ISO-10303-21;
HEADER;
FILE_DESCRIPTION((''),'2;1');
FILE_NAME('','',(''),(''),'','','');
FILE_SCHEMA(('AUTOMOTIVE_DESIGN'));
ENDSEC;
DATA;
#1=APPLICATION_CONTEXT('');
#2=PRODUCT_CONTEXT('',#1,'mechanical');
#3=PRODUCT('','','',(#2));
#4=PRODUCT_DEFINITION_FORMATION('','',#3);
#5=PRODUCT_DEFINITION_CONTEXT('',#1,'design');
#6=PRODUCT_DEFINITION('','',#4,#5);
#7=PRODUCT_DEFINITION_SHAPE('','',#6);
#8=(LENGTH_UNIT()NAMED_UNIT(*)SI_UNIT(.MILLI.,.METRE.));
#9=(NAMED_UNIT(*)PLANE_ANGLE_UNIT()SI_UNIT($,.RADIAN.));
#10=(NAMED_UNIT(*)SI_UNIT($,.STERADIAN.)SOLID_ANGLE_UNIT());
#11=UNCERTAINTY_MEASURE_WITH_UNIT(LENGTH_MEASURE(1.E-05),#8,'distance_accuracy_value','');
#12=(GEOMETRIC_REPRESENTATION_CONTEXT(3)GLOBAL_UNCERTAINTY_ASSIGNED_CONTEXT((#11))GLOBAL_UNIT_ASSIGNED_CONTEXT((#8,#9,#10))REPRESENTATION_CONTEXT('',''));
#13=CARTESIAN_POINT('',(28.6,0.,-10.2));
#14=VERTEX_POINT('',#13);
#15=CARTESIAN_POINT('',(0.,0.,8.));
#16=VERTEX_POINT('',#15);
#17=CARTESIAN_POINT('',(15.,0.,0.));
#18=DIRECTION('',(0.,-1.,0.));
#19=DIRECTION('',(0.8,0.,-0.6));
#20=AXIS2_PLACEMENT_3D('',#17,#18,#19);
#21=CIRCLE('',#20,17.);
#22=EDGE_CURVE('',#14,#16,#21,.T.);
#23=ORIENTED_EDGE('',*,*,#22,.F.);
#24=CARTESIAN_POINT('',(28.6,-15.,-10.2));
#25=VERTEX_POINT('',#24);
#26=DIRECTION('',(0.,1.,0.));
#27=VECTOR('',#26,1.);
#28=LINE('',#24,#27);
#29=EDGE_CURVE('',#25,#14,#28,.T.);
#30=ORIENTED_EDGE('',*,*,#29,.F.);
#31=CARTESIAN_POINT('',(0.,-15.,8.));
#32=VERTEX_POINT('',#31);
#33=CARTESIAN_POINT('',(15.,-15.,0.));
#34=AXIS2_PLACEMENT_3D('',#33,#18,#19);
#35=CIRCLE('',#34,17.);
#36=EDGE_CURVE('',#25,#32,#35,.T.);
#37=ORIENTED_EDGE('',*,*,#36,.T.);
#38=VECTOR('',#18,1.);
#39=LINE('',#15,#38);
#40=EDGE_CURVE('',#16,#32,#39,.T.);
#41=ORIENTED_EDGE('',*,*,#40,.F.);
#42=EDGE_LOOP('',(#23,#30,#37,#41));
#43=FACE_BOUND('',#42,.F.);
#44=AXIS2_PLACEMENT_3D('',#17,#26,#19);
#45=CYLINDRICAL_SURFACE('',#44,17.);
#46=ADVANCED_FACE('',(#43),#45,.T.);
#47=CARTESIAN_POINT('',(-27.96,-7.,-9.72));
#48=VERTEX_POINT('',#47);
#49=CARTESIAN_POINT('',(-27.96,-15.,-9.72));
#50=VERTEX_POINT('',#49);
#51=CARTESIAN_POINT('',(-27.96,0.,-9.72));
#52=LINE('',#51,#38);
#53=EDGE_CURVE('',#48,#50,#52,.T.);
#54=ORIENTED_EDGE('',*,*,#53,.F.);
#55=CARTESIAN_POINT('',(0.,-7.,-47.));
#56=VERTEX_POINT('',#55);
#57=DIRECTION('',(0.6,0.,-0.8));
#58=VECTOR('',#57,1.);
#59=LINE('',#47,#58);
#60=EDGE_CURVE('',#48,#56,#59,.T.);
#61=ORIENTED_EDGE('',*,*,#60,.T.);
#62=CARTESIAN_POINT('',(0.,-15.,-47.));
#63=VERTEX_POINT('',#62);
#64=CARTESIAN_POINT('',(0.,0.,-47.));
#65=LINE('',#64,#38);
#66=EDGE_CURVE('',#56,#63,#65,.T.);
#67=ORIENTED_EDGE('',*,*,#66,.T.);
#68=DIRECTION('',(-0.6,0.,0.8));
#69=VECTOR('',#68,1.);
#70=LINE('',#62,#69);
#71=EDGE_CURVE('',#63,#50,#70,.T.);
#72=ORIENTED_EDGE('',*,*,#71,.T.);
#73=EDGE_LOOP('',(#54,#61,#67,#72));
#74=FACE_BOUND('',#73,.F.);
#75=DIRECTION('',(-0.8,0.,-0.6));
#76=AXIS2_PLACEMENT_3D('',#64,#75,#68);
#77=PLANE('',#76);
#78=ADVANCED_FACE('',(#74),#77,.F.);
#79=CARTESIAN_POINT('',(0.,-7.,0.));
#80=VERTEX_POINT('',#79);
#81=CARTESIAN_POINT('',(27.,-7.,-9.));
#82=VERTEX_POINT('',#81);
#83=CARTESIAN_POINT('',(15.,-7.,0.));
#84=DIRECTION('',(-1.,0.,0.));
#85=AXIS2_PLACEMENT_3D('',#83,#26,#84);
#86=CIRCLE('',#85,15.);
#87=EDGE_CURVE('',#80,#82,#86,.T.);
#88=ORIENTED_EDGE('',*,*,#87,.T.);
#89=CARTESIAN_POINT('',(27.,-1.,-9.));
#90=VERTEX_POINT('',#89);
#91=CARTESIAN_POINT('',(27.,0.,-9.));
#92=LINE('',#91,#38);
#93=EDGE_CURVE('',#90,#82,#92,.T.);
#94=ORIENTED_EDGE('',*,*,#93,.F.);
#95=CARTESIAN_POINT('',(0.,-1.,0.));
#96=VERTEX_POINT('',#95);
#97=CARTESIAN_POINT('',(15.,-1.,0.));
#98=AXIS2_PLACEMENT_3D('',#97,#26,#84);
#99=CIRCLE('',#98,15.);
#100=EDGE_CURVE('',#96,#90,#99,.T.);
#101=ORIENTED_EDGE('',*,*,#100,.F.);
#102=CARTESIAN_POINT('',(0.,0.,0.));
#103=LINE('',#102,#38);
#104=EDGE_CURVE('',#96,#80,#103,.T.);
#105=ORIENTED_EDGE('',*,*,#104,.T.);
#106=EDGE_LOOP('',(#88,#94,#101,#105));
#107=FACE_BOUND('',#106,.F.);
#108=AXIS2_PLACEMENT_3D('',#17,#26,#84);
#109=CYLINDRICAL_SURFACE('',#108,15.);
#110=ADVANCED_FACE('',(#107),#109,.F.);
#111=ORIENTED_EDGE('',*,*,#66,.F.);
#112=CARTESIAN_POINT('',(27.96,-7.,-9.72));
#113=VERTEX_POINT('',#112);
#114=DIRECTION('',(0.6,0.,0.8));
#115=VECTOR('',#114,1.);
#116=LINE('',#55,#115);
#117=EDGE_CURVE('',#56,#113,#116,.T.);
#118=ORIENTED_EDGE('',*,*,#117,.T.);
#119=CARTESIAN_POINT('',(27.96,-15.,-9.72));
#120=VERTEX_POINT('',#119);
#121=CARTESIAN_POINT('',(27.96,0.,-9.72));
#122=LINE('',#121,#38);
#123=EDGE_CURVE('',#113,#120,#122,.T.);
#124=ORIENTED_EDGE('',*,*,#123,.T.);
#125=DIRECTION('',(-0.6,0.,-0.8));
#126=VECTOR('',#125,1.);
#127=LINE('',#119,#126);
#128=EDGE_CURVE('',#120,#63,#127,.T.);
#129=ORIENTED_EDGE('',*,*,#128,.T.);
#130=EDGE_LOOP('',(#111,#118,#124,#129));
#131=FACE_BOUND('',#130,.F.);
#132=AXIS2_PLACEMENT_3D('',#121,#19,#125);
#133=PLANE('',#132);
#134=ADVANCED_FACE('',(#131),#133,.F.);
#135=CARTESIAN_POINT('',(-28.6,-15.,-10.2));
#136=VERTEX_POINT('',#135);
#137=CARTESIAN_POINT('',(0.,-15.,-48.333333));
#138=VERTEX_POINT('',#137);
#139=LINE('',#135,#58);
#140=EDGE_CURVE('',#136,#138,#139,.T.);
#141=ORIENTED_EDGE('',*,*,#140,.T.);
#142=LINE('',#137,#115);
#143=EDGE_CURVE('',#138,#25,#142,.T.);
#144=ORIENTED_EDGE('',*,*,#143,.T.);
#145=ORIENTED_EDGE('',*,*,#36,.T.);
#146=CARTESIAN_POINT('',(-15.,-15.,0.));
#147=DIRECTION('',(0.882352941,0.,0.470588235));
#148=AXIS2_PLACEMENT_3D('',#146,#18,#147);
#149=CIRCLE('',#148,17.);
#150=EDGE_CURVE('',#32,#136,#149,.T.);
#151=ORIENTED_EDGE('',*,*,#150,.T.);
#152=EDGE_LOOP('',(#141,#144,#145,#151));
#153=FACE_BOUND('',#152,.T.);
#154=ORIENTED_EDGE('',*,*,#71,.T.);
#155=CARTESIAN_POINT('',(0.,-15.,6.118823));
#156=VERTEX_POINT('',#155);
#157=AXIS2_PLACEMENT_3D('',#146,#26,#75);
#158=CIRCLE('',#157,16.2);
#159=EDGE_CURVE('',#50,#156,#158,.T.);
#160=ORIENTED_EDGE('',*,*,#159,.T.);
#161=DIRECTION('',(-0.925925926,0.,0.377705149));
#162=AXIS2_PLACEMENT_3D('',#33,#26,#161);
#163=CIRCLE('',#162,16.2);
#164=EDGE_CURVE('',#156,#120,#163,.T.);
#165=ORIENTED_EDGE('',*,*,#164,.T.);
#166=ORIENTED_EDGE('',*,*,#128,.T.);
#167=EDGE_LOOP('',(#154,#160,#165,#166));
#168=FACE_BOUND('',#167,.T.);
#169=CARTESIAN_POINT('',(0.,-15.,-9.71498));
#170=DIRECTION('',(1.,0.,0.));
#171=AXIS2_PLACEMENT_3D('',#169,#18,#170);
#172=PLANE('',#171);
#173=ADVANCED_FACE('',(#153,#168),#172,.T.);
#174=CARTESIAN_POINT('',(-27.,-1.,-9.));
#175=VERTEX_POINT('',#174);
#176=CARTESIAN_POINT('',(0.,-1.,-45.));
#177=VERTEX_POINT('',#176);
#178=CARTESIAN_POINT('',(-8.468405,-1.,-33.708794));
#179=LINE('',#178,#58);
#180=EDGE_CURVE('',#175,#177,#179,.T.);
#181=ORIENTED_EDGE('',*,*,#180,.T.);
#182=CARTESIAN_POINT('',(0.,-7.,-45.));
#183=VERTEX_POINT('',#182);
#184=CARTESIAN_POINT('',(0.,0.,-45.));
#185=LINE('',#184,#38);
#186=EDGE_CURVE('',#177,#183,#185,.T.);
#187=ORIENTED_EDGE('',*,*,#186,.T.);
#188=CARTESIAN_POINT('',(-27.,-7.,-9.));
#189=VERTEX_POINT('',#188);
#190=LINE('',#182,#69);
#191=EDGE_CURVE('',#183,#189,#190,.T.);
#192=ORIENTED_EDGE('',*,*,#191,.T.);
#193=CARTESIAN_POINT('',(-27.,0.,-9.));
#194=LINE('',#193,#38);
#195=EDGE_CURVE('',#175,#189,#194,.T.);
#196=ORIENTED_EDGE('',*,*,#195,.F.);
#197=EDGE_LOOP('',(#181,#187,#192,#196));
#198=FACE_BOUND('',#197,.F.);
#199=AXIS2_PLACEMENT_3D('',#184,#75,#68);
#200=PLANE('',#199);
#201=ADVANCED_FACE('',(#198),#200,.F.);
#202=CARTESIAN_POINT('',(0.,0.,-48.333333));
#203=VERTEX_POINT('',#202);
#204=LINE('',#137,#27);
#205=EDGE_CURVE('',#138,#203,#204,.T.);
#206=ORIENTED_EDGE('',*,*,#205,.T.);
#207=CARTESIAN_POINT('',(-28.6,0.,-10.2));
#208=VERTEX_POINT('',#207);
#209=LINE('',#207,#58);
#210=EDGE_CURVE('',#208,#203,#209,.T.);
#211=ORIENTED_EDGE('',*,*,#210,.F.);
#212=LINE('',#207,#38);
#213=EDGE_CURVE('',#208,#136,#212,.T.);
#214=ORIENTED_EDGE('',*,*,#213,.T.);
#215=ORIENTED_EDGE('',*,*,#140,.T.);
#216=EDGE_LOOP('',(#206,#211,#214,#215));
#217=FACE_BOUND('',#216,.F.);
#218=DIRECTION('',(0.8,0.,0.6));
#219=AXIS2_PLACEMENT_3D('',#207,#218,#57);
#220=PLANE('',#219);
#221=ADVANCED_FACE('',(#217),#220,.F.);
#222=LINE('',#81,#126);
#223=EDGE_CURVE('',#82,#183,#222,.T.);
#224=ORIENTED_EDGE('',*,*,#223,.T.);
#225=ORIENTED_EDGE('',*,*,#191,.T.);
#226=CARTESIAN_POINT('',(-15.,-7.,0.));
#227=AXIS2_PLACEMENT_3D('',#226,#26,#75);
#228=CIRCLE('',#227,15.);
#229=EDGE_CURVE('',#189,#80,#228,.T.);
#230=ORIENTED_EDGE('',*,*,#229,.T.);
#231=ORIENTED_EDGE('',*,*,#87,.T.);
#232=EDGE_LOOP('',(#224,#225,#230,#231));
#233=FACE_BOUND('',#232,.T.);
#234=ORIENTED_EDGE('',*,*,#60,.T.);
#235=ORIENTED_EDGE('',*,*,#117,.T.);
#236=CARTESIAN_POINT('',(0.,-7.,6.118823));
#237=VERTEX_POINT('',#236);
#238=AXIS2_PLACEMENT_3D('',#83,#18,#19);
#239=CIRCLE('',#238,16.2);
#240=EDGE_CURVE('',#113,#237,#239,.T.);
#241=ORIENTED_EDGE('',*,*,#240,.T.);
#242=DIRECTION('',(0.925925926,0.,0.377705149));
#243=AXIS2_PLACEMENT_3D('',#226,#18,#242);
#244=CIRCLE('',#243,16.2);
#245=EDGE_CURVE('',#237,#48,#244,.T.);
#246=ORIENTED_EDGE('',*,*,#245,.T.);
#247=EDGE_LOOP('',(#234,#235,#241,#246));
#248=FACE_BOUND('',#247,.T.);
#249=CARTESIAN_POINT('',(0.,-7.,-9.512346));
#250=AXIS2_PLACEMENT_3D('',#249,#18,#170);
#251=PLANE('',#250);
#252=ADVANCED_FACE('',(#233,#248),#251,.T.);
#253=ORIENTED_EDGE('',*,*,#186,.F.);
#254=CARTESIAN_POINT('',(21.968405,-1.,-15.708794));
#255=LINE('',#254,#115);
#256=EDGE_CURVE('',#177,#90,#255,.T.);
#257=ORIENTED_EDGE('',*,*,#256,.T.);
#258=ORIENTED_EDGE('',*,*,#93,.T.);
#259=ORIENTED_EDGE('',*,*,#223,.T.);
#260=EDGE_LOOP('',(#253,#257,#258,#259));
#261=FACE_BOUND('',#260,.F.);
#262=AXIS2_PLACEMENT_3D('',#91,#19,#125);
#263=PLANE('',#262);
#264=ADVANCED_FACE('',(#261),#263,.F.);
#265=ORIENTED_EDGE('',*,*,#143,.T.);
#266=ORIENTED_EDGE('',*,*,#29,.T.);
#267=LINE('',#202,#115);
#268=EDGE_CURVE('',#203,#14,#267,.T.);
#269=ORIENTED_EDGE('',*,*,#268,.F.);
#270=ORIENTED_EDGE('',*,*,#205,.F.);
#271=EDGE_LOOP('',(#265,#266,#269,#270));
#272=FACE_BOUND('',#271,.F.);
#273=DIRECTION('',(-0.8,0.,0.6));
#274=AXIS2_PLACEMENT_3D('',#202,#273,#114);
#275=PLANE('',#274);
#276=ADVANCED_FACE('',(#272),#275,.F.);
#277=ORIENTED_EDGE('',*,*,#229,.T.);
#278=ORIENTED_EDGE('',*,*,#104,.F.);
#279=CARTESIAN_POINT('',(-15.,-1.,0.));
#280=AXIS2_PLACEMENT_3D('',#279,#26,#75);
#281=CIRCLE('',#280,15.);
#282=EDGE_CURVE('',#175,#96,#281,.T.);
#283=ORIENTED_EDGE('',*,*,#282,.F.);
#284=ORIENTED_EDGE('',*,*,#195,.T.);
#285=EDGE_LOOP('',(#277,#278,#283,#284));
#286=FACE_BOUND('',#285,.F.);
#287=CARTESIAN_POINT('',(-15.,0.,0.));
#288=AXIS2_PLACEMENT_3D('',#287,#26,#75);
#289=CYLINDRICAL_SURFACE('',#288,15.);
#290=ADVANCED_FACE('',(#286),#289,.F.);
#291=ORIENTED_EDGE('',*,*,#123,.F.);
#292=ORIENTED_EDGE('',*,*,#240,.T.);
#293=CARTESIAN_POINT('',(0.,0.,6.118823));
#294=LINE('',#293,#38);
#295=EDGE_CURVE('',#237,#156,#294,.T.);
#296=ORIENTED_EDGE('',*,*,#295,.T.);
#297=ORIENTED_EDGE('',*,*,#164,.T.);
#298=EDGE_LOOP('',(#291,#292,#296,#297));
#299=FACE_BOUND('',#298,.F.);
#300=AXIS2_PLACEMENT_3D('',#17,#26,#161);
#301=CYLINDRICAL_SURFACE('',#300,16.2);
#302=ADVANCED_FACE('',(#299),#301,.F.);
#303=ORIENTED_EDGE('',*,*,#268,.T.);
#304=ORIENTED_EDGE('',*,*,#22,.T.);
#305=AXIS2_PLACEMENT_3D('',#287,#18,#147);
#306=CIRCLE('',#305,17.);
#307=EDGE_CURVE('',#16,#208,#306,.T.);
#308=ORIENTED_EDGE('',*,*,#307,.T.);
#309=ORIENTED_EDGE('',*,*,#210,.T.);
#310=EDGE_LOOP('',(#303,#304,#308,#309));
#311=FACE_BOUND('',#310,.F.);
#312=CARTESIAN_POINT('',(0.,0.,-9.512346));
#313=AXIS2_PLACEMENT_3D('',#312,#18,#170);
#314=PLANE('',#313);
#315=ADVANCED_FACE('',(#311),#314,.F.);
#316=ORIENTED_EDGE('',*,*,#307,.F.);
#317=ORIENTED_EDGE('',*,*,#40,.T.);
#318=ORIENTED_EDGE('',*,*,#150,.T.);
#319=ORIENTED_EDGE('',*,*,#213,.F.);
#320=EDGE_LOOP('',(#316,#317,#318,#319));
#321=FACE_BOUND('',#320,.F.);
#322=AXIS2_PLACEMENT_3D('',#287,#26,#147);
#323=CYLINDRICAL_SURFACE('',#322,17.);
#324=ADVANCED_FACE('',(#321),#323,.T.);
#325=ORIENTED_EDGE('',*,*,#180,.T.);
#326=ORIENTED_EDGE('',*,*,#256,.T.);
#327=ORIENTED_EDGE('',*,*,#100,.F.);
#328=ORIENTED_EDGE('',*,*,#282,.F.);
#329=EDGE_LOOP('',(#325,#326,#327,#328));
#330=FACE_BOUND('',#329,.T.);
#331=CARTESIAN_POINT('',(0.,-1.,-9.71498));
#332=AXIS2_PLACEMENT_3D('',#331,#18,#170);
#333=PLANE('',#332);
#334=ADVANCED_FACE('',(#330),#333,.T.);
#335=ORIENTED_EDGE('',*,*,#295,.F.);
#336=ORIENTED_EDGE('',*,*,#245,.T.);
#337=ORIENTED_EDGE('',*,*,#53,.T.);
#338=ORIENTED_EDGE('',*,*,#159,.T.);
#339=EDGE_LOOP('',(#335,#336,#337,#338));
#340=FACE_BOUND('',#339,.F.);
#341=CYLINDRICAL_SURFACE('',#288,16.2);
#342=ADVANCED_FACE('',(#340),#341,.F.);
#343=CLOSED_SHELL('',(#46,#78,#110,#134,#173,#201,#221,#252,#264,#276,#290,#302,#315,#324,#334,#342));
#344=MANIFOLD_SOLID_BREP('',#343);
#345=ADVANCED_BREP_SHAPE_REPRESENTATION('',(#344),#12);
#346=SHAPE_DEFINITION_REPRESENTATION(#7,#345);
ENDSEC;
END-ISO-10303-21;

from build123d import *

# Parameters (mm, degrees)
F1_DEPTH = 1
F2_DEPTH = 15
F3_DEPTH = 7


with BuildPart() as f1:
    # F0 (on Front) → F1 (new body)
    with BuildSketch(Plane.XZ):
        with BuildLine():
            ThreePointArc((28.6, -10.2), (24.1268833673, 14.3422452914), (0, 8))
            ThreePointArc((0, 8), (-24.1268833673, 14.3422452914), (-28.6, -10.2))
            Line((-28.6, -10.2), (0, -48.3333333333))
            Line((0, -48.3333333333), (28.6, -10.2))
        make_face()
        with BuildLine():
            ThreePointArc((0, 6.1188234163), (22.9848282263, 14.0954786438), (27.96, -9.72))
            Line((27.96, -9.72), (0, -47))
            Line((0, -47), (-27.96, -9.72))
            ThreePointArc((-27.96, -9.72), (-22.9848282263, 14.0954786438), (0, 6.1188234163))
        make_face(mode=Mode.SUBTRACT)
        with BuildLine():
            Line((0, -47), (27.96, -9.72))
            ThreePointArc((27.96, -9.72), (22.9848282263, 14.0954786438), (0, 6.1188234163))
            ThreePointArc((0, 6.1188234163), (-22.9848282263, 14.0954786438), (-27.96, -9.72))
            Line((-27.96, -9.72), (0, -47))
        make_face()
        with BuildLine():
            ThreePointArc((-27, -9), (-19.7434164903, 14.2302494708), (0, 0))
            ThreePointArc((0, 0), (19.7434164903, 14.2302494708), (27, -9))
            Line((27, -9), (0, -45))
            Line((0, -45), (-27, -9))
        make_face(mode=Mode.SUBTRACT)
        with BuildLine():
            ThreePointArc((27, -9), (19.7434164903, 14.2302494708), (0, 0))
            ThreePointArc((0, 0), (-19.7434164903, 14.2302494708), (-27, -9))
            Line((-27, -9), (0, -45))
            Line((0, -45), (27, -9))
        make_face()
    extrude(amount=F1_DEPTH)

    # F0 (on Front) → F2 (join)
    with BuildSketch(Plane.XZ):
        with BuildLine():
            ThreePointArc((28.6, -10.2), (24.1268833673, 14.3422452914), (0, 8))
            ThreePointArc((0, 8), (-24.1268833673, 14.3422452914), (-28.6, -10.2))
            Line((-28.6, -10.2), (0, -48.3333333333))
            Line((0, -48.3333333333), (28.6, -10.2))
        make_face()
        with BuildLine():
            ThreePointArc((0, 6.1188234163), (22.9848282263, 14.0954786438), (27.96, -9.72))
            Line((27.96, -9.72), (0, -47))
            Line((0, -47), (-27.96, -9.72))
            ThreePointArc((-27.96, -9.72), (-22.9848282263, 14.0954786438), (0, 6.1188234163))
        make_face(mode=Mode.SUBTRACT)
    extrude(amount=F2_DEPTH)

    # F0 (on Front) → F3 (join)
    with BuildSketch(Plane.XZ):
        with BuildLine():
            Line((0, -47), (27.96, -9.72))
            ThreePointArc((27.96, -9.72), (22.9848282263, 14.0954786438), (0, 6.1188234163))
            ThreePointArc((0, 6.1188234163), (-22.9848282263, 14.0954786438), (-27.96, -9.72))
            Line((-27.96, -9.72), (0, -47))
        make_face()
        with BuildLine():
            ThreePointArc((-27, -9), (-19.7434164903, 14.2302494708), (0, 0))
            ThreePointArc((0, 0), (19.7434164903, 14.2302494708), (27, -9))
            Line((27, -9), (0, -45))
            Line((0, -45), (-27, -9))
        make_face(mode=Mode.SUBTRACT)
    extrude(amount=F3_DEPTH)


solid = f1.part
